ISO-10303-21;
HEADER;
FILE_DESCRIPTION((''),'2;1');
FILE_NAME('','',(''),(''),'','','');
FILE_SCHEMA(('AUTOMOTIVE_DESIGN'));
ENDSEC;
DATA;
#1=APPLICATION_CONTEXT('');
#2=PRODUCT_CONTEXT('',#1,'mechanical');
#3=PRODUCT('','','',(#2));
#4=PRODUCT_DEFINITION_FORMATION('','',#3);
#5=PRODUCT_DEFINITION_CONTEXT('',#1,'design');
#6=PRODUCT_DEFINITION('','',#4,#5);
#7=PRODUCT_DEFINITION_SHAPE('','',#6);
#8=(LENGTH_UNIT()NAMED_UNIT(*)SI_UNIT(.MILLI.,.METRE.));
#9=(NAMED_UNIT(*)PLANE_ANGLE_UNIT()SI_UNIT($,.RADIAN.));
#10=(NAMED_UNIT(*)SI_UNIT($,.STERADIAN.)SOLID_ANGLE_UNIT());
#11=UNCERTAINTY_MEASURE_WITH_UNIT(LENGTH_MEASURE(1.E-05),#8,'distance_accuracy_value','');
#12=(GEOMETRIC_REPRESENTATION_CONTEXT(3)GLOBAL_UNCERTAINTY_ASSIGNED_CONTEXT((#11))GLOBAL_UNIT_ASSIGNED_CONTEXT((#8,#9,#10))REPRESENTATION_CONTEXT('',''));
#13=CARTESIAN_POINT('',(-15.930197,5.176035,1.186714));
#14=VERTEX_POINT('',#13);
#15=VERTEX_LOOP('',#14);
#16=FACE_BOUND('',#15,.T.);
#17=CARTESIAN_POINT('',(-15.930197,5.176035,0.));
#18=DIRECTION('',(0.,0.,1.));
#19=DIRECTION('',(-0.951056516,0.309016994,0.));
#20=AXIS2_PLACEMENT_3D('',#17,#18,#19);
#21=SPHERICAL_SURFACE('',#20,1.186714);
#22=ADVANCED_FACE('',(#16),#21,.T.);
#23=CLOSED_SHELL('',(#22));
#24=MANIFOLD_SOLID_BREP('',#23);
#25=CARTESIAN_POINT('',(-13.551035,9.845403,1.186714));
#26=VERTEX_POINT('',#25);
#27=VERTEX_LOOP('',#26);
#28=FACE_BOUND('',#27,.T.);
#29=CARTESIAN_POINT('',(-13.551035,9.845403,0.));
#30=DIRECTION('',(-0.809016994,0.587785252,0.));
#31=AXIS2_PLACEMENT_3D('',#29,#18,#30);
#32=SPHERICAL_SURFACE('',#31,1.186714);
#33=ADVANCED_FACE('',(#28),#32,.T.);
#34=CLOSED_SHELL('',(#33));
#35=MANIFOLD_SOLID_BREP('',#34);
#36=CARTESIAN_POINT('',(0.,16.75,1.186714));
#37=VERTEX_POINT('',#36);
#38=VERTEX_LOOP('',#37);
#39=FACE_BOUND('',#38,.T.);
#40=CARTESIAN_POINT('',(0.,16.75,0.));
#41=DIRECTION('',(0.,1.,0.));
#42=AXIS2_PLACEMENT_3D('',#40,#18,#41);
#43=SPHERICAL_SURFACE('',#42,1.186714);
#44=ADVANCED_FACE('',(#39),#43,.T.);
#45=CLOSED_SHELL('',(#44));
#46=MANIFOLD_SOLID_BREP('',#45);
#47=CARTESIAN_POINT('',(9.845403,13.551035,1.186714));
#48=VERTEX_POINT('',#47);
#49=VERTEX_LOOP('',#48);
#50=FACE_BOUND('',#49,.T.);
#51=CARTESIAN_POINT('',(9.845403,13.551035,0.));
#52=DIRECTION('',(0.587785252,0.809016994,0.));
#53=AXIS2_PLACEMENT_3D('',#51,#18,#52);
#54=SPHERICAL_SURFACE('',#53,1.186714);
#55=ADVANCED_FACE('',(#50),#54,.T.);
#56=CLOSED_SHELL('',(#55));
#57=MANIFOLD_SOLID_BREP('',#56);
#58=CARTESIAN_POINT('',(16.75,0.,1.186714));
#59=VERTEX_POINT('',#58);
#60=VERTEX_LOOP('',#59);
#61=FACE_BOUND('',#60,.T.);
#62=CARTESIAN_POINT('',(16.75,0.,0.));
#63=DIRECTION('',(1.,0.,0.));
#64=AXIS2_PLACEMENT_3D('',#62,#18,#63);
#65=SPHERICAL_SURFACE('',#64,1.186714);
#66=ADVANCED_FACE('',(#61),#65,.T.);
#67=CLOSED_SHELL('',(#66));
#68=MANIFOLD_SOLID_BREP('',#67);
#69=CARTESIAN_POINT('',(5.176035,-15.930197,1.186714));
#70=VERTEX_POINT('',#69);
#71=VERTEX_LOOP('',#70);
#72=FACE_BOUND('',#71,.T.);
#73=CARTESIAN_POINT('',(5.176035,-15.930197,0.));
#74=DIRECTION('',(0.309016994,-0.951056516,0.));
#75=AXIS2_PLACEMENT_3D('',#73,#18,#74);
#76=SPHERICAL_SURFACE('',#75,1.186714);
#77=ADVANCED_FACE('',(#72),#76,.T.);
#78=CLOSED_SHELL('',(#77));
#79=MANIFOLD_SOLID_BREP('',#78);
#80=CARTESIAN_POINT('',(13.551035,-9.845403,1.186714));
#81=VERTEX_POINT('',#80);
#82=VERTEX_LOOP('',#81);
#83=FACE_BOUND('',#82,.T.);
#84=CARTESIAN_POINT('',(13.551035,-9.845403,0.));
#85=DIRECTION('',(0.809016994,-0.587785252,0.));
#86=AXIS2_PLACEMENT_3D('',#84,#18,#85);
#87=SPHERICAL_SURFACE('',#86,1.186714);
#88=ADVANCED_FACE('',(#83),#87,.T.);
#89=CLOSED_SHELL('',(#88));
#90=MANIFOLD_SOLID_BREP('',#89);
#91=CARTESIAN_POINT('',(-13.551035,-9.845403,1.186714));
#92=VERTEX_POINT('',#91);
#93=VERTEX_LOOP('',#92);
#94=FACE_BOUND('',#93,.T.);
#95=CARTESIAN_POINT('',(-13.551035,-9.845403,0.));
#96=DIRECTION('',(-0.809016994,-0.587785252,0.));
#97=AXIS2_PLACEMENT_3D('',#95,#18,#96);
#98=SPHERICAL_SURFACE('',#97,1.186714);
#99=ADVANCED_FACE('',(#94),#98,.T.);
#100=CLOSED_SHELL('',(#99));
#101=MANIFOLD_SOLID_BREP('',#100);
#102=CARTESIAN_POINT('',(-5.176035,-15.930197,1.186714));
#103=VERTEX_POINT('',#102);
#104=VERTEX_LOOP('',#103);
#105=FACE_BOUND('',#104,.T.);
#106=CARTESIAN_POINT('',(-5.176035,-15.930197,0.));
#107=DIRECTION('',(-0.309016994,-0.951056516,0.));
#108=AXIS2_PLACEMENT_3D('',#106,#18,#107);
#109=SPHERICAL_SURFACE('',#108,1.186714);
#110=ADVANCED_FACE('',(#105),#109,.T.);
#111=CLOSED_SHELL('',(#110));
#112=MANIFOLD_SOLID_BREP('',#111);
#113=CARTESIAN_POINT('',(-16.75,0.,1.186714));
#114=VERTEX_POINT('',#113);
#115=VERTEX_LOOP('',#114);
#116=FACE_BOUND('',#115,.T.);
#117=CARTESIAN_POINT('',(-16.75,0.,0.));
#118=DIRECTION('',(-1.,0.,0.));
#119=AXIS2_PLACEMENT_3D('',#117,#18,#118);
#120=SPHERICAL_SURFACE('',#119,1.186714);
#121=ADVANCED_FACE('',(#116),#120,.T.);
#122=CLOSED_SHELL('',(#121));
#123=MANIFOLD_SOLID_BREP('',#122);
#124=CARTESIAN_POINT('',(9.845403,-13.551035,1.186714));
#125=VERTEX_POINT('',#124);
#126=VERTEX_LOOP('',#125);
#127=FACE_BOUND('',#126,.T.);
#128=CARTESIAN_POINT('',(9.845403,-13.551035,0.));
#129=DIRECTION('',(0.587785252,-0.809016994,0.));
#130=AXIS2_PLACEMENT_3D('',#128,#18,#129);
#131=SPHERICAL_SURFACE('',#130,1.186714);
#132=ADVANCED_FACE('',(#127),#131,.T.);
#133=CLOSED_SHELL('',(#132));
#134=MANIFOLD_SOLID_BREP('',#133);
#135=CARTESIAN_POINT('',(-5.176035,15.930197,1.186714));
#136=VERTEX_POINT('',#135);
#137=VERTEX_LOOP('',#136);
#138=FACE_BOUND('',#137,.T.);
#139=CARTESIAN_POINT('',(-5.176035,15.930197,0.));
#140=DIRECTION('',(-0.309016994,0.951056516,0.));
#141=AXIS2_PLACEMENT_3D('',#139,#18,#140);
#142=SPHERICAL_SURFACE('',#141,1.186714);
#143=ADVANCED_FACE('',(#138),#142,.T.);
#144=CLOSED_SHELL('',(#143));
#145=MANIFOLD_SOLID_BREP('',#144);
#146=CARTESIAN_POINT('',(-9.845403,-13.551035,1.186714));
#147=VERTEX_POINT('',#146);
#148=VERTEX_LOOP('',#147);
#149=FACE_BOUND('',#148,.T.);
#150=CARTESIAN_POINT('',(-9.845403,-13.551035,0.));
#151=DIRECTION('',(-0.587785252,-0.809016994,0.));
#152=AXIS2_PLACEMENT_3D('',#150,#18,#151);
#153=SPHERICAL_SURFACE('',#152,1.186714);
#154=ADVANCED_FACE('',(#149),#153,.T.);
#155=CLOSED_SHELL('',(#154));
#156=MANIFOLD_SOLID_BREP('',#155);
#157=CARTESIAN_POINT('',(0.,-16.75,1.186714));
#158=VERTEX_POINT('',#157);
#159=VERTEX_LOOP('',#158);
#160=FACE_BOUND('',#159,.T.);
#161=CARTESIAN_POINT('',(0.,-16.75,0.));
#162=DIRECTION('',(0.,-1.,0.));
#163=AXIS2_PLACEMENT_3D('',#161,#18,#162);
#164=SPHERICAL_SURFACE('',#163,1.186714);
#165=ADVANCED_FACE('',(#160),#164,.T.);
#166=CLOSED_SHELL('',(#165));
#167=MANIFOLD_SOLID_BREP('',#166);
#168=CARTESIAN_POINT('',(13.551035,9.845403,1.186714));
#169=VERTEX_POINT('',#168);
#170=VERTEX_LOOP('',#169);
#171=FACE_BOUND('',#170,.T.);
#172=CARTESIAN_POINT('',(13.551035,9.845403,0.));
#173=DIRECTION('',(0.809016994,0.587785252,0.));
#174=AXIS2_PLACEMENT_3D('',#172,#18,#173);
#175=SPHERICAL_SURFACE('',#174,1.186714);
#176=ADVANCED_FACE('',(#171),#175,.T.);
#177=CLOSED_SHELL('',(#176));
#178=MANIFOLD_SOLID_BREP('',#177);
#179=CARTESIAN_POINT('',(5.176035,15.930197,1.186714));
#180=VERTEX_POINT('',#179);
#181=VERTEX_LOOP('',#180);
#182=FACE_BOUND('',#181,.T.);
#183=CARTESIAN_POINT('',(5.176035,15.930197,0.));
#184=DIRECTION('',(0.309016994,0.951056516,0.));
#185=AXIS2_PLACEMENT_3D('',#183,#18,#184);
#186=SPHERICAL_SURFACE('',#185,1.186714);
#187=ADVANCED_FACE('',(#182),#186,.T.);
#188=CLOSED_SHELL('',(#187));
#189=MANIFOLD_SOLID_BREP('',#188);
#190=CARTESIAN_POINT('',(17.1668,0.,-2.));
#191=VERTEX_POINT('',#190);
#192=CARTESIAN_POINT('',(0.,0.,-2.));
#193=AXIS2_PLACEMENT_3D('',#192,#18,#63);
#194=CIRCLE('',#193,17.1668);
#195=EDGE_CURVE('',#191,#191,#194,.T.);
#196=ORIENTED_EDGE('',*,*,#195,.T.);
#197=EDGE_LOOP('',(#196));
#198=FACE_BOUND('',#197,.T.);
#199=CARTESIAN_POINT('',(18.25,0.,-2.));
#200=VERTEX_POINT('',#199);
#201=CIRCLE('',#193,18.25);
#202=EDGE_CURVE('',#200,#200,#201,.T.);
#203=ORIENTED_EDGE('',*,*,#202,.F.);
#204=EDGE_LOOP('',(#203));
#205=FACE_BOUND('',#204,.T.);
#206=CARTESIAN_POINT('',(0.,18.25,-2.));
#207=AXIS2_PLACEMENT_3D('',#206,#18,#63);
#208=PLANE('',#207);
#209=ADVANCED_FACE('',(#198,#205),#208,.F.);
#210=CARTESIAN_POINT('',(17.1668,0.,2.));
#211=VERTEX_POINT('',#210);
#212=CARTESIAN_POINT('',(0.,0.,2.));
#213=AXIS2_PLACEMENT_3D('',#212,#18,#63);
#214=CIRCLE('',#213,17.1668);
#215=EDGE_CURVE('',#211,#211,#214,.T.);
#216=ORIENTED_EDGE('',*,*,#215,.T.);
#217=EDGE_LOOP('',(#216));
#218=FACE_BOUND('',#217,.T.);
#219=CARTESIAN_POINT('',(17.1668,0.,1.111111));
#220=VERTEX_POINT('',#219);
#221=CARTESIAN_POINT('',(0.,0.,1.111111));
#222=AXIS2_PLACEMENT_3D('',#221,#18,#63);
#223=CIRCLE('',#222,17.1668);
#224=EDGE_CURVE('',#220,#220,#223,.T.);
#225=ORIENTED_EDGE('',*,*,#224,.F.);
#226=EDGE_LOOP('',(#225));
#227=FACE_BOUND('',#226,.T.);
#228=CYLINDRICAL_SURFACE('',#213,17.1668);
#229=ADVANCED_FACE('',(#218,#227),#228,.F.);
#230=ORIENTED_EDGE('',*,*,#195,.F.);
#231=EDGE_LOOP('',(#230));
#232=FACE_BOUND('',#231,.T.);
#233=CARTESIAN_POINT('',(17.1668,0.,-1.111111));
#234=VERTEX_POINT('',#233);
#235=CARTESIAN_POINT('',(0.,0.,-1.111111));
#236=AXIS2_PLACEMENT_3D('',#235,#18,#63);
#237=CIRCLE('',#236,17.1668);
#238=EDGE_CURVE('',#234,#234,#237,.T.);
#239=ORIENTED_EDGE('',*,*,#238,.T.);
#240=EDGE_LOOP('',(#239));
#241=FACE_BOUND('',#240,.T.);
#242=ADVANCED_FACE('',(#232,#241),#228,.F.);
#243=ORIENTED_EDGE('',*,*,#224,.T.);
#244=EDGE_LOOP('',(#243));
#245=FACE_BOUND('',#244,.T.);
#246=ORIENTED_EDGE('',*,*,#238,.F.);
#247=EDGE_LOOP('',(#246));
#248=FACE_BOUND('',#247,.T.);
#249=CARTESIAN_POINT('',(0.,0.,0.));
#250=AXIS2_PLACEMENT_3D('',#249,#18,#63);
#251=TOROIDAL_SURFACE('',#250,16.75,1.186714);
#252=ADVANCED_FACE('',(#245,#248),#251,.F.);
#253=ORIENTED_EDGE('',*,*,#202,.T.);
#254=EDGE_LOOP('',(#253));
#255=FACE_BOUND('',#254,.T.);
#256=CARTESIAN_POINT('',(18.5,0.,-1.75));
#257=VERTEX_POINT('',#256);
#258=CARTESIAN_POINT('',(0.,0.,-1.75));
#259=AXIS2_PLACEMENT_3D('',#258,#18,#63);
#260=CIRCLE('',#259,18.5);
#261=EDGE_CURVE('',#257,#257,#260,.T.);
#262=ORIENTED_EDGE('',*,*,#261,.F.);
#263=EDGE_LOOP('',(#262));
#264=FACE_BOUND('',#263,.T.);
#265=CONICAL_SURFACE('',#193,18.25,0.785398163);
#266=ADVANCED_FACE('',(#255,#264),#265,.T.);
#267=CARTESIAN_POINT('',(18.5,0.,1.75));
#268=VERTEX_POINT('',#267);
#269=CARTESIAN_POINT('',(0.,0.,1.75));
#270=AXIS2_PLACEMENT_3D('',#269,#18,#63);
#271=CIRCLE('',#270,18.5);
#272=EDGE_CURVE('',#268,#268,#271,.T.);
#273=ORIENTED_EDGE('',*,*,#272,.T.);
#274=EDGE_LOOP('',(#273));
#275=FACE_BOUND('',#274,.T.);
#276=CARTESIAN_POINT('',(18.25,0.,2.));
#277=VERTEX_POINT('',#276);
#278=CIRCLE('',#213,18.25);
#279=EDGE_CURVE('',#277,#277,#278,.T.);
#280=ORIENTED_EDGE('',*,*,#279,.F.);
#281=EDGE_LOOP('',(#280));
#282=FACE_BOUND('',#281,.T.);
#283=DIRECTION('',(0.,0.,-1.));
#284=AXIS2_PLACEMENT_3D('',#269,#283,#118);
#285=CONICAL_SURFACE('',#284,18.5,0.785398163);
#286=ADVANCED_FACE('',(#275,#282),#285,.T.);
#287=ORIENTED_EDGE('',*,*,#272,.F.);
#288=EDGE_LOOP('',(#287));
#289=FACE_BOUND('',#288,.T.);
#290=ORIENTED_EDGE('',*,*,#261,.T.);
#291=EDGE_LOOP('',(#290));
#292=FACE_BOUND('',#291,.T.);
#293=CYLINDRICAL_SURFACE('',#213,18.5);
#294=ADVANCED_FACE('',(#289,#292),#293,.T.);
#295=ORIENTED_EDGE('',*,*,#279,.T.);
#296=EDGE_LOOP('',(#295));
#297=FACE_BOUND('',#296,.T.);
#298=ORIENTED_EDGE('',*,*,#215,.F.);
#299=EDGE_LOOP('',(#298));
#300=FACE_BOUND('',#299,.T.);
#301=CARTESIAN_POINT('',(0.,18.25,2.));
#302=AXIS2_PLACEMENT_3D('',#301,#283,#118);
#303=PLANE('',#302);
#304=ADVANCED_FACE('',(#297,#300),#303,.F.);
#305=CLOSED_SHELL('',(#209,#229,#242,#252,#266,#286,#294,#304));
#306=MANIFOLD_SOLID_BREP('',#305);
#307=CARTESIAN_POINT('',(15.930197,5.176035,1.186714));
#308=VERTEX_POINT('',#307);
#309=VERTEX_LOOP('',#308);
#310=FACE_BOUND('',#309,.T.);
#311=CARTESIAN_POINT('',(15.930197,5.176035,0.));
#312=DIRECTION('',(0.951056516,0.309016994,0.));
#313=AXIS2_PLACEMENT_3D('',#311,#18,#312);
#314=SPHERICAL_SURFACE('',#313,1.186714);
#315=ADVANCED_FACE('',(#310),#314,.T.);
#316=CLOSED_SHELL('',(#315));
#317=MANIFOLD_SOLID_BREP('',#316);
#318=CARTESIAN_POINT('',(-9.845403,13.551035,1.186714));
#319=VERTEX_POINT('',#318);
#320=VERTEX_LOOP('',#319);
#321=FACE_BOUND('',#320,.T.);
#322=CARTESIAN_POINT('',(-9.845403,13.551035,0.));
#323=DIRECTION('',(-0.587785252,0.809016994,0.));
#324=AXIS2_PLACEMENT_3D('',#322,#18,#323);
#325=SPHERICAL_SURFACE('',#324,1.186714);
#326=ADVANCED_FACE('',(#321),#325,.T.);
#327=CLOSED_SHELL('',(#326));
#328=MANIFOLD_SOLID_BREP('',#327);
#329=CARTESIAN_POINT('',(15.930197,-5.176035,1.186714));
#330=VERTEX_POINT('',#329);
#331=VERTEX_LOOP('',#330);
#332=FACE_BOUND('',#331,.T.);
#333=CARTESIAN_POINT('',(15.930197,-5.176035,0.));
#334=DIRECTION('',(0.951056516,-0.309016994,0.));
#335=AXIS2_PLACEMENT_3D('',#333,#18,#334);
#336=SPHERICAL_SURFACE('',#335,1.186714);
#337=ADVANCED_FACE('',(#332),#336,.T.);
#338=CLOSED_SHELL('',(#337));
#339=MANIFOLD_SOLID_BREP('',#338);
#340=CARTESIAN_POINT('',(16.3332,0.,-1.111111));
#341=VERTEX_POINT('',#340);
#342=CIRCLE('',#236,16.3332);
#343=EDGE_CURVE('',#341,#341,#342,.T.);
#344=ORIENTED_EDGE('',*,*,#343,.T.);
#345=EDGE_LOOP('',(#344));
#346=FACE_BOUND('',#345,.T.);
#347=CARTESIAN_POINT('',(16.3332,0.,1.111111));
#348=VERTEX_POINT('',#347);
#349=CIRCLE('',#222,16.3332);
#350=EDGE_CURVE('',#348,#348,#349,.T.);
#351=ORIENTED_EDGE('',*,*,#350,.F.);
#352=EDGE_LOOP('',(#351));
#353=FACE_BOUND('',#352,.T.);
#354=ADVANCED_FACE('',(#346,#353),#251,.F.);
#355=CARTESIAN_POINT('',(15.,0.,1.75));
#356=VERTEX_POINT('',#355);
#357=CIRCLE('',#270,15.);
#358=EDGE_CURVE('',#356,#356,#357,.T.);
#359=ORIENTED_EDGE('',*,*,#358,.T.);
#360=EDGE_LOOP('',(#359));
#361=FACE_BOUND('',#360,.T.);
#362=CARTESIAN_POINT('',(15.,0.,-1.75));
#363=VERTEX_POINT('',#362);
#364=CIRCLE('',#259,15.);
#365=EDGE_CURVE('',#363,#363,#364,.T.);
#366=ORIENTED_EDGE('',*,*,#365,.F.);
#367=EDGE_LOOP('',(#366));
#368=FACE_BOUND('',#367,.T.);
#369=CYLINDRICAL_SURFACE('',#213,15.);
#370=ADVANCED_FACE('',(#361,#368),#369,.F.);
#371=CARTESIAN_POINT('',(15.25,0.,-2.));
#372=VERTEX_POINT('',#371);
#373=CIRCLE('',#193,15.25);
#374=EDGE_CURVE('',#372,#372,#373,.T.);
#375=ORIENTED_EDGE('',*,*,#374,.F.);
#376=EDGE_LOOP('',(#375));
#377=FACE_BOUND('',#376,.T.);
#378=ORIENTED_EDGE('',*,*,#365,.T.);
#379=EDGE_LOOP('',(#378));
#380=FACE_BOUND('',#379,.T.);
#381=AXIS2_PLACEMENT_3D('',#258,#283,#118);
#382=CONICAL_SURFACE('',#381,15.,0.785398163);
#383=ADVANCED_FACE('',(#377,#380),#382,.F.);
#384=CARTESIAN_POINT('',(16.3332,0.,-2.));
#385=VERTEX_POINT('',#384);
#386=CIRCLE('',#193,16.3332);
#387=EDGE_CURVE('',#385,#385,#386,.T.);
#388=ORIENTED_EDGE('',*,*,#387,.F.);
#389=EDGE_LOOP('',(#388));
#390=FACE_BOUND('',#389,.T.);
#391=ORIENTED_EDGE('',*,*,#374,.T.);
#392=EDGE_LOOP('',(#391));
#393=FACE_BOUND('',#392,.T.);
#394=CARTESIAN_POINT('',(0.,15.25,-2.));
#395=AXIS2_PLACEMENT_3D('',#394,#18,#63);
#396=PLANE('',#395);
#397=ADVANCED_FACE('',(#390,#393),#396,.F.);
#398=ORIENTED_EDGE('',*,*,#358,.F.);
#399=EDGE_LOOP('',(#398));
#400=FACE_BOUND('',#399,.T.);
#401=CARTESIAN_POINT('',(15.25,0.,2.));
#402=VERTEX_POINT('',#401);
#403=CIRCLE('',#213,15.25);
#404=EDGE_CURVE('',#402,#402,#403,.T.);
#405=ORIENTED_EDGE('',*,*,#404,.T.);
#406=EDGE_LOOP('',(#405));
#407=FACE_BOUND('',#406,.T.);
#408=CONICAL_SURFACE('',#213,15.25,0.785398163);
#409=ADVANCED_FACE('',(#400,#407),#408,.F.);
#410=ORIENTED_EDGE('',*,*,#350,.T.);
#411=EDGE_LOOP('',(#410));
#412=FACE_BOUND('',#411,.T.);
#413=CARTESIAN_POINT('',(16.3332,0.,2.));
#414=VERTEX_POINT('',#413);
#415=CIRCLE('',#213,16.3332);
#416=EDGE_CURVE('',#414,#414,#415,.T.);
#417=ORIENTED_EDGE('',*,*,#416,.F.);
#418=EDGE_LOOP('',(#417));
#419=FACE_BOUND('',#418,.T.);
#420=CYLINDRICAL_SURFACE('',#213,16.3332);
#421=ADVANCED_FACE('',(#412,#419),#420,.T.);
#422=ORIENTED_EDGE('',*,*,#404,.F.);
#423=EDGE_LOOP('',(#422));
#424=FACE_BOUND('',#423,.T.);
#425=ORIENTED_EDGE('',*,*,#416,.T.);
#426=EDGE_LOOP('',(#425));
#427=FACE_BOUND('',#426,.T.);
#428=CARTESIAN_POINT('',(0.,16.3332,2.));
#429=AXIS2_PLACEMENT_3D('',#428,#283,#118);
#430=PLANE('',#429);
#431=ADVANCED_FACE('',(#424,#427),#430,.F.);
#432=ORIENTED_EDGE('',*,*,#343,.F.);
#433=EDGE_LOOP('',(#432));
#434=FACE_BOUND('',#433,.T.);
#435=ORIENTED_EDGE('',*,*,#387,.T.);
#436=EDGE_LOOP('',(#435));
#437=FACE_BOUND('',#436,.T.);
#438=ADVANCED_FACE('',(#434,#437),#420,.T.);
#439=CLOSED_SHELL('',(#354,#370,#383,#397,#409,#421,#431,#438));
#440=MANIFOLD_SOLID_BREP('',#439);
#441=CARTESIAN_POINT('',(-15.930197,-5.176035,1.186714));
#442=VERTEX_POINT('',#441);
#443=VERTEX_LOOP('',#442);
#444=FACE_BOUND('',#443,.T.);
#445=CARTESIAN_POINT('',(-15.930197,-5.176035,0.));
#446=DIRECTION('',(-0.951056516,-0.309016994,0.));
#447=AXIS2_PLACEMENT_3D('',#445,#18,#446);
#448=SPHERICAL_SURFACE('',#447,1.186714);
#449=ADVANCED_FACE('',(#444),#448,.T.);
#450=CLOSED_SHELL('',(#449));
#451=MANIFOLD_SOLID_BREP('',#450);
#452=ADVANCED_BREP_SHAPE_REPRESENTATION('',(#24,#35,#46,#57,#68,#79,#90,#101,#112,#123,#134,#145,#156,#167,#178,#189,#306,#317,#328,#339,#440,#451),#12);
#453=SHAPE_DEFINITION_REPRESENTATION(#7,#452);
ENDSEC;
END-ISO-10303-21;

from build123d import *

# Parameters (mm, degrees)
CIRPATTERN1_COUNT = 20


with BuildPart() as part:
    # Sketch1 → Revolve1 (revolve)
    with BuildSketch(Plane(origin=(0, 0, 0), x_dir=(0, 0, -1), z_dir=(1, 0, 0)), mode=Mode.PRIVATE) as revolve1_sk:
        with BuildLine():
            Line((1.75, 18.5), (-1.75, 18.5))
            Line((-1.75, 18.5), (-2, 18.25))
            Line((-2, 18.25), (-2, 17.166800235))
            Line((-2, 17.166800235), (-1.111111111, 17.166800235))
            ThreePointArc((-1.111111111, 17.166800235), (0, 17.936714092), (1.111111111, 17.166800235))
            Line((1.111111111, 17.166800235), (2, 17.166800235))
            Line((2, 17.166800235), (2, 18.25))
            Line((2, 18.25), (1.75, 18.5))
        make_face()
    revolve(revolve1_sk.sketch.rotate(Axis((0, 0, 2), (0, 0, -1)), 90), axis=Axis((0, 0, 2), (0, 0, -1)))


with BuildPart() as body_2:
    # Sketch3 → Revolve3 (revolve)
    with BuildSketch(Plane(origin=(0, 0, 0), x_dir=(0, 0, -1), z_dir=(1, 0, 0)), mode=Mode.PRIVATE) as revolve3_sk:
        with BuildLine():
            Line((-2, 16.333199765), (-1.111111111, 16.333199765))
            ThreePointArc((-1.111111111, 16.333199765), (0, 15.563285908), (1.111111111, 16.333199765))
            Line((1.111111111, 16.333199765), (2, 16.333199765))
            Line((2, 16.333199765), (2, 15.25))
            Line((2, 15.25), (1.75, 15))
            Line((1.75, 15), (-1.75, 15))
            Line((-1.75, 15), (-2, 15.25))
            Line((-2, 15.25), (-2, 16.333199765))
        make_face()
    revolve(revolve3_sk.sketch.rotate(Axis((0, 0, 2), (0, 0, -1)), 90), axis=Axis((0, 0, 2), (0, 0, -1)))


with BuildPart() as body_3:
    # Sketch4 → Revolve4 (revolve)
    with BuildSketch(Plane(origin=(0, 0, 0), x_dir=(0, 0, -1), z_dir=(1, 0, 0))):
        with BuildLine():
            Line((-1.186714092, 16.75), (1.186714092, 16.75))
            ThreePointArc((1.186714092, 16.75), (0, 17.936714092), (-1.186714092, 16.75))
        make_face()
    revolve(axis=Axis((0, 16.75, 1.186714092), (0, 0, -1)))


with BuildPart() as cirpattern1_1:
    # CirPattern1: pattern copy
    add(body_3.part.rotate(Axis((0, 0, 0), (0, 0, 1)), 1 * 360 / CIRPATTERN1_COUNT))


with BuildPart() as cirpattern1_2:
    # CirPattern1: pattern copy
    add(body_3.part.rotate(Axis((0, 0, 0), (0, 0, 1)), 2 * 360 / CIRPATTERN1_COUNT))


with BuildPart() as cirpattern1_3:
    # CirPattern1: pattern copy
    add(body_3.part.rotate(Axis((0, 0, 0), (0, 0, 1)), 3 * 360 / CIRPATTERN1_COUNT))


with BuildPart() as cirpattern1_4:
    # CirPattern1: pattern copy
    add(body_3.part.rotate(Axis((0, 0, 0), (0, 0, 1)), 4 * 360 / CIRPATTERN1_COUNT))


with BuildPart() as cirpattern1_5:
    # CirPattern1: pattern copy
    add(body_3.part.rotate(Axis((0, 0, 0), (0, 0, 1)), 5 * 360 / CIRPATTERN1_COUNT))


with BuildPart() as cirpattern1_6:
    # CirPattern1: pattern copy
    add(body_3.part.rotate(Axis((0, 0, 0), (0, 0, 1)), 6 * 360 / CIRPATTERN1_COUNT))


with BuildPart() as cirpattern1_7:
    # CirPattern1: pattern copy
    add(body_3.part.rotate(Axis((0, 0, 0), (0, 0, 1)), 7 * 360 / CIRPATTERN1_COUNT))


with BuildPart() as cirpattern1_8:
    # CirPattern1: pattern copy
    add(body_3.part.rotate(Axis((0, 0, 0), (0, 0, 1)), 8 * 360 / CIRPATTERN1_COUNT))


with BuildPart() as cirpattern1_9:
    # CirPattern1: pattern copy
    add(body_3.part.rotate(Axis((0, 0, 0), (0, 0, 1)), 9 * 360 / CIRPATTERN1_COUNT))


with BuildPart() as cirpattern1_10:
    # CirPattern1: pattern copy
    add(body_3.part.rotate(Axis((0, 0, 0), (0, 0, 1)), 10 * 360 / CIRPATTERN1_COUNT))


with BuildPart() as cirpattern1_11:
    # CirPattern1: pattern copy
    add(body_3.part.rotate(Axis((0, 0, 0), (0, 0, 1)), 11 * 360 / CIRPATTERN1_COUNT))


with BuildPart() as cirpattern1_12:
    # CirPattern1: pattern copy
    add(body_3.part.rotate(Axis((0, 0, 0), (0, 0, 1)), 12 * 360 / CIRPATTERN1_COUNT))


with BuildPart() as cirpattern1_13:
    # CirPattern1: pattern copy
    add(body_3.part.rotate(Axis((0, 0, 0), (0, 0, 1)), 13 * 360 / CIRPATTERN1_COUNT))


with BuildPart() as cirpattern1_14:
    # CirPattern1: pattern copy
    add(body_3.part.rotate(Axis((0, 0, 0), (0, 0, 1)), 14 * 360 / CIRPATTERN1_COUNT))


with BuildPart() as cirpattern1_15:
    # CirPattern1: pattern copy
    add(body_3.part.rotate(Axis((0, 0, 0), (0, 0, 1)), 15 * 360 / CIRPATTERN1_COUNT))


with BuildPart() as cirpattern1_16:
    # CirPattern1: pattern copy
    add(body_3.part.rotate(Axis((0, 0, 0), (0, 0, 1)), 16 * 360 / CIRPATTERN1_COUNT))


with BuildPart() as cirpattern1_17:
    # CirPattern1: pattern copy
    add(body_3.part.rotate(Axis((0, 0, 0), (0, 0, 1)), 17 * 360 / CIRPATTERN1_COUNT))


with BuildPart() as cirpattern1_18:
    # CirPattern1: pattern copy
    add(body_3.part.rotate(Axis((0, 0, 0), (0, 0, 1)), 18 * 360 / CIRPATTERN1_COUNT))


with BuildPart() as cirpattern1_19:
    # CirPattern1: pattern copy
    add(body_3.part.rotate(Axis((0, 0, 0), (0, 0, 1)), 19 * 360 / CIRPATTERN1_COUNT))


solid = Compound([part.part, body_2.part, body_3.part, cirpattern1_1.part, cirpattern1_2.part, cirpattern1_3.part, cirpattern1_4.part, cirpattern1_5.part, cirpattern1_6.part, cirpattern1_7.part, cirpattern1_8.part, cirpattern1_9.part, cirpattern1_10.part, cirpattern1_11.part, cirpattern1_12.part, cirpattern1_13.part, cirpattern1_14.part, cirpattern1_15.part, cirpattern1_16.part, cirpattern1_17.part, cirpattern1_18.part, cirpattern1_19.part])
